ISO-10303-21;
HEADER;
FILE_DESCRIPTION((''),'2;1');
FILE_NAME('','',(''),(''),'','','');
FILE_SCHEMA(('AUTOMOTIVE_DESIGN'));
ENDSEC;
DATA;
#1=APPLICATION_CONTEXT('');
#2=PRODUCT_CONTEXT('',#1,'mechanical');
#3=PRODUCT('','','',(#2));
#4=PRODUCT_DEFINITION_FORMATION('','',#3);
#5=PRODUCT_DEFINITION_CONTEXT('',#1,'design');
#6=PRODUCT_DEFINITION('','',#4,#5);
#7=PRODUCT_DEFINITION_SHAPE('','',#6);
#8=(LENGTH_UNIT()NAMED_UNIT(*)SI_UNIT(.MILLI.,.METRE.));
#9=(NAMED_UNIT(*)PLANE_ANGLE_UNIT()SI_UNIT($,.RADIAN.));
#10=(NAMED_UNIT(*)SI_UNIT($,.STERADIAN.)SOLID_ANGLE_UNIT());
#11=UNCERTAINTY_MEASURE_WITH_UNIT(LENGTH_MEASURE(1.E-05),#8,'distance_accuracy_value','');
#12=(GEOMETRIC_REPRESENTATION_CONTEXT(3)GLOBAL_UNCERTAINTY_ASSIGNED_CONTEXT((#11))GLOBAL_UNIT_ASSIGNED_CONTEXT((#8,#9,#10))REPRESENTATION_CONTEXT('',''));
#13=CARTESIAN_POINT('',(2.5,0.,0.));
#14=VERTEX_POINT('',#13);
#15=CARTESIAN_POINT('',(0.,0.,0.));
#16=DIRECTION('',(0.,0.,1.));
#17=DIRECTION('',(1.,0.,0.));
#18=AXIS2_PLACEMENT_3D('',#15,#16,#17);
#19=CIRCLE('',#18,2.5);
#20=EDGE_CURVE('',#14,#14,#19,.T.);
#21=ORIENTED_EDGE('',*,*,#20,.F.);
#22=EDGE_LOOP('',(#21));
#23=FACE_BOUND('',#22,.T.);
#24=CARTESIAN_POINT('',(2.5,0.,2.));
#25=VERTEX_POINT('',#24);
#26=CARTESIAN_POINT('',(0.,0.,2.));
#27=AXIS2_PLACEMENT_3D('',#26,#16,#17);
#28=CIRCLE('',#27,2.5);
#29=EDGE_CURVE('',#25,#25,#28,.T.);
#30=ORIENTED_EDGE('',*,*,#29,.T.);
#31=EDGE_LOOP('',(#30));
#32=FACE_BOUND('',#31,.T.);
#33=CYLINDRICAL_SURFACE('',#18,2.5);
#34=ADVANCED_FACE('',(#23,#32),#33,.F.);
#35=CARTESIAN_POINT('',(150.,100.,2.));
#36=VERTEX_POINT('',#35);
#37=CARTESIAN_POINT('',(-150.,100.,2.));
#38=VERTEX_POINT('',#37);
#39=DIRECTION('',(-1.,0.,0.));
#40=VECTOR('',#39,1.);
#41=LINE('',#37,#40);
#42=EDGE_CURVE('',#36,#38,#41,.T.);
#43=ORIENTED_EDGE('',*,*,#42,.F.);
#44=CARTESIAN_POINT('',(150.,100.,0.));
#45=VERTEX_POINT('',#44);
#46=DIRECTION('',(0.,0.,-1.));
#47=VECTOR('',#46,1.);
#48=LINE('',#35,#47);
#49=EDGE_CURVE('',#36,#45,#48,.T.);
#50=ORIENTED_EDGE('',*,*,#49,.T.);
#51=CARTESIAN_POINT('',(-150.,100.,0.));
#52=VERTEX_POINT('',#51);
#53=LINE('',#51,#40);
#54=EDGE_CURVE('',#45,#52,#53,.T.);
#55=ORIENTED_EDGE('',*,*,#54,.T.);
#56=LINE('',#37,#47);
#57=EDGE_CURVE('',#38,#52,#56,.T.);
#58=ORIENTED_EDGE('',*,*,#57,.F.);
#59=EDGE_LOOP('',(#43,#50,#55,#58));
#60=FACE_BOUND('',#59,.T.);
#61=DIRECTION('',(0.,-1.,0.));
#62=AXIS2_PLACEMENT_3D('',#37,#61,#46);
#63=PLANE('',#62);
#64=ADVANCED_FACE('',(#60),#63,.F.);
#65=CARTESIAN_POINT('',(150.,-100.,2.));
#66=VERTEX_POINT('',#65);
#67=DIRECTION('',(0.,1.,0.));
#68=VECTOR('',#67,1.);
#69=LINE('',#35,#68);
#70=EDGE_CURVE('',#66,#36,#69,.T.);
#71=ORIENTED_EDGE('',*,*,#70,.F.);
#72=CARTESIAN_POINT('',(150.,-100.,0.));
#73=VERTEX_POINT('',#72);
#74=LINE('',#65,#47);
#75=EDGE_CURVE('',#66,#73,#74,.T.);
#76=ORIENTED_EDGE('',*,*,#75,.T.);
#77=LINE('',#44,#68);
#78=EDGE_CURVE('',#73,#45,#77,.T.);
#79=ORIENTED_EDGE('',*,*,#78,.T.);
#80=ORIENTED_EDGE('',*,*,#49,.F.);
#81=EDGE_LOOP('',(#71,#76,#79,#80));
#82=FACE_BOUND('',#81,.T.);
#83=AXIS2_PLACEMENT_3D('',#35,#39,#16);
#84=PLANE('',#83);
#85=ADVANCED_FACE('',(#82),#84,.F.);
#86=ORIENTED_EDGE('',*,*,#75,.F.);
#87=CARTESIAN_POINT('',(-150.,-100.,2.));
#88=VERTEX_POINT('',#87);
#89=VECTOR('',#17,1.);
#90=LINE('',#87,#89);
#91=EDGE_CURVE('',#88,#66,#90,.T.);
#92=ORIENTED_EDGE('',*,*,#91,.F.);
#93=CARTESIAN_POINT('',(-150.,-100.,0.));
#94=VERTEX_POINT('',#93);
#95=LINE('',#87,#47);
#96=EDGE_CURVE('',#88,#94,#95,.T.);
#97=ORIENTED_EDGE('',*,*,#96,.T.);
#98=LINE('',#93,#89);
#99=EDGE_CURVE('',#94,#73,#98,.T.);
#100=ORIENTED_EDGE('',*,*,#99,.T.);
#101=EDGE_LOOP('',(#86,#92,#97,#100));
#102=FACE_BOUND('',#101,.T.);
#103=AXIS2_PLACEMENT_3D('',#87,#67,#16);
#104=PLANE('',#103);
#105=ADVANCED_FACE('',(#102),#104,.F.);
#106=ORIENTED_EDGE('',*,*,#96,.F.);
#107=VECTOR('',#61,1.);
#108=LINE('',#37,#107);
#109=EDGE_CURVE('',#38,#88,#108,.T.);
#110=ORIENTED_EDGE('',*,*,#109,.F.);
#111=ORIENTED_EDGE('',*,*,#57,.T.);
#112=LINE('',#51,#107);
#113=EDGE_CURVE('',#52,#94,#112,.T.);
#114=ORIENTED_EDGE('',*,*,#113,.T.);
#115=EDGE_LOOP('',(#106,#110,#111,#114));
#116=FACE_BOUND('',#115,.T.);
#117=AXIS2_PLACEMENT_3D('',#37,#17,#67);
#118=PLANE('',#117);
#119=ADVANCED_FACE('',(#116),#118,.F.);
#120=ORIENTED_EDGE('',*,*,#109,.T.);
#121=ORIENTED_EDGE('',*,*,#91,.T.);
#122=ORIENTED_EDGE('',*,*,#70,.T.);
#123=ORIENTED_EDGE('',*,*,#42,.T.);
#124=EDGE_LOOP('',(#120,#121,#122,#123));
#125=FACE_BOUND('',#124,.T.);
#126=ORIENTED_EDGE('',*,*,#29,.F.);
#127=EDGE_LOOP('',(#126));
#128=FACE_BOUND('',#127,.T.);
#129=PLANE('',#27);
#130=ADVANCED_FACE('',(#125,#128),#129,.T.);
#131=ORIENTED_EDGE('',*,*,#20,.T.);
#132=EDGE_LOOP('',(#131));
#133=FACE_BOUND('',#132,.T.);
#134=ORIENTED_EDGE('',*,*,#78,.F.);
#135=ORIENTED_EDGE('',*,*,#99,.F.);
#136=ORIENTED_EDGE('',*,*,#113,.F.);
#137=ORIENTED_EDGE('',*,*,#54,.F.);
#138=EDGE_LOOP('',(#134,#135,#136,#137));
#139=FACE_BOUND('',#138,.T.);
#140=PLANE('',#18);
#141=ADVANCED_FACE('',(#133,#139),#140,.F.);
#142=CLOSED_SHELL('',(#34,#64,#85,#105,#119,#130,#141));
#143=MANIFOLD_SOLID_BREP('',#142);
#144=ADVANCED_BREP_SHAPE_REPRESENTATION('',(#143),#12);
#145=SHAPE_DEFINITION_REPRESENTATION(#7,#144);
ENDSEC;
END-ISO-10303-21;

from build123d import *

# Parameters (mm, degrees)
SKETCH_1_W          = 300
SKETCH_1_H          = 200
EXTRUDE_345_DEPTH   = 2
SKETCH_2_R          = 2.5
CUT_EXTRUDE_1_DEPTH = 181.288657436


with BuildPart() as part:
    # Эскиз1 → Extrude 345 (new body)
    with BuildSketch(Plane.XY):
        Rectangle(SKETCH_1_W, SKETCH_1_H)
    extrude(amount=EXTRUDE_345_DEPTH)

    # Эскиз2 → Вырез-Вытянуть1 (cut, through all)
    with BuildSketch(Plane.XY.offset(2)):
        Circle(SKETCH_2_R)
    extrude(amount=-CUT_EXTRUDE_1_DEPTH, mode=Mode.SUBTRACT)


solid = part.part
